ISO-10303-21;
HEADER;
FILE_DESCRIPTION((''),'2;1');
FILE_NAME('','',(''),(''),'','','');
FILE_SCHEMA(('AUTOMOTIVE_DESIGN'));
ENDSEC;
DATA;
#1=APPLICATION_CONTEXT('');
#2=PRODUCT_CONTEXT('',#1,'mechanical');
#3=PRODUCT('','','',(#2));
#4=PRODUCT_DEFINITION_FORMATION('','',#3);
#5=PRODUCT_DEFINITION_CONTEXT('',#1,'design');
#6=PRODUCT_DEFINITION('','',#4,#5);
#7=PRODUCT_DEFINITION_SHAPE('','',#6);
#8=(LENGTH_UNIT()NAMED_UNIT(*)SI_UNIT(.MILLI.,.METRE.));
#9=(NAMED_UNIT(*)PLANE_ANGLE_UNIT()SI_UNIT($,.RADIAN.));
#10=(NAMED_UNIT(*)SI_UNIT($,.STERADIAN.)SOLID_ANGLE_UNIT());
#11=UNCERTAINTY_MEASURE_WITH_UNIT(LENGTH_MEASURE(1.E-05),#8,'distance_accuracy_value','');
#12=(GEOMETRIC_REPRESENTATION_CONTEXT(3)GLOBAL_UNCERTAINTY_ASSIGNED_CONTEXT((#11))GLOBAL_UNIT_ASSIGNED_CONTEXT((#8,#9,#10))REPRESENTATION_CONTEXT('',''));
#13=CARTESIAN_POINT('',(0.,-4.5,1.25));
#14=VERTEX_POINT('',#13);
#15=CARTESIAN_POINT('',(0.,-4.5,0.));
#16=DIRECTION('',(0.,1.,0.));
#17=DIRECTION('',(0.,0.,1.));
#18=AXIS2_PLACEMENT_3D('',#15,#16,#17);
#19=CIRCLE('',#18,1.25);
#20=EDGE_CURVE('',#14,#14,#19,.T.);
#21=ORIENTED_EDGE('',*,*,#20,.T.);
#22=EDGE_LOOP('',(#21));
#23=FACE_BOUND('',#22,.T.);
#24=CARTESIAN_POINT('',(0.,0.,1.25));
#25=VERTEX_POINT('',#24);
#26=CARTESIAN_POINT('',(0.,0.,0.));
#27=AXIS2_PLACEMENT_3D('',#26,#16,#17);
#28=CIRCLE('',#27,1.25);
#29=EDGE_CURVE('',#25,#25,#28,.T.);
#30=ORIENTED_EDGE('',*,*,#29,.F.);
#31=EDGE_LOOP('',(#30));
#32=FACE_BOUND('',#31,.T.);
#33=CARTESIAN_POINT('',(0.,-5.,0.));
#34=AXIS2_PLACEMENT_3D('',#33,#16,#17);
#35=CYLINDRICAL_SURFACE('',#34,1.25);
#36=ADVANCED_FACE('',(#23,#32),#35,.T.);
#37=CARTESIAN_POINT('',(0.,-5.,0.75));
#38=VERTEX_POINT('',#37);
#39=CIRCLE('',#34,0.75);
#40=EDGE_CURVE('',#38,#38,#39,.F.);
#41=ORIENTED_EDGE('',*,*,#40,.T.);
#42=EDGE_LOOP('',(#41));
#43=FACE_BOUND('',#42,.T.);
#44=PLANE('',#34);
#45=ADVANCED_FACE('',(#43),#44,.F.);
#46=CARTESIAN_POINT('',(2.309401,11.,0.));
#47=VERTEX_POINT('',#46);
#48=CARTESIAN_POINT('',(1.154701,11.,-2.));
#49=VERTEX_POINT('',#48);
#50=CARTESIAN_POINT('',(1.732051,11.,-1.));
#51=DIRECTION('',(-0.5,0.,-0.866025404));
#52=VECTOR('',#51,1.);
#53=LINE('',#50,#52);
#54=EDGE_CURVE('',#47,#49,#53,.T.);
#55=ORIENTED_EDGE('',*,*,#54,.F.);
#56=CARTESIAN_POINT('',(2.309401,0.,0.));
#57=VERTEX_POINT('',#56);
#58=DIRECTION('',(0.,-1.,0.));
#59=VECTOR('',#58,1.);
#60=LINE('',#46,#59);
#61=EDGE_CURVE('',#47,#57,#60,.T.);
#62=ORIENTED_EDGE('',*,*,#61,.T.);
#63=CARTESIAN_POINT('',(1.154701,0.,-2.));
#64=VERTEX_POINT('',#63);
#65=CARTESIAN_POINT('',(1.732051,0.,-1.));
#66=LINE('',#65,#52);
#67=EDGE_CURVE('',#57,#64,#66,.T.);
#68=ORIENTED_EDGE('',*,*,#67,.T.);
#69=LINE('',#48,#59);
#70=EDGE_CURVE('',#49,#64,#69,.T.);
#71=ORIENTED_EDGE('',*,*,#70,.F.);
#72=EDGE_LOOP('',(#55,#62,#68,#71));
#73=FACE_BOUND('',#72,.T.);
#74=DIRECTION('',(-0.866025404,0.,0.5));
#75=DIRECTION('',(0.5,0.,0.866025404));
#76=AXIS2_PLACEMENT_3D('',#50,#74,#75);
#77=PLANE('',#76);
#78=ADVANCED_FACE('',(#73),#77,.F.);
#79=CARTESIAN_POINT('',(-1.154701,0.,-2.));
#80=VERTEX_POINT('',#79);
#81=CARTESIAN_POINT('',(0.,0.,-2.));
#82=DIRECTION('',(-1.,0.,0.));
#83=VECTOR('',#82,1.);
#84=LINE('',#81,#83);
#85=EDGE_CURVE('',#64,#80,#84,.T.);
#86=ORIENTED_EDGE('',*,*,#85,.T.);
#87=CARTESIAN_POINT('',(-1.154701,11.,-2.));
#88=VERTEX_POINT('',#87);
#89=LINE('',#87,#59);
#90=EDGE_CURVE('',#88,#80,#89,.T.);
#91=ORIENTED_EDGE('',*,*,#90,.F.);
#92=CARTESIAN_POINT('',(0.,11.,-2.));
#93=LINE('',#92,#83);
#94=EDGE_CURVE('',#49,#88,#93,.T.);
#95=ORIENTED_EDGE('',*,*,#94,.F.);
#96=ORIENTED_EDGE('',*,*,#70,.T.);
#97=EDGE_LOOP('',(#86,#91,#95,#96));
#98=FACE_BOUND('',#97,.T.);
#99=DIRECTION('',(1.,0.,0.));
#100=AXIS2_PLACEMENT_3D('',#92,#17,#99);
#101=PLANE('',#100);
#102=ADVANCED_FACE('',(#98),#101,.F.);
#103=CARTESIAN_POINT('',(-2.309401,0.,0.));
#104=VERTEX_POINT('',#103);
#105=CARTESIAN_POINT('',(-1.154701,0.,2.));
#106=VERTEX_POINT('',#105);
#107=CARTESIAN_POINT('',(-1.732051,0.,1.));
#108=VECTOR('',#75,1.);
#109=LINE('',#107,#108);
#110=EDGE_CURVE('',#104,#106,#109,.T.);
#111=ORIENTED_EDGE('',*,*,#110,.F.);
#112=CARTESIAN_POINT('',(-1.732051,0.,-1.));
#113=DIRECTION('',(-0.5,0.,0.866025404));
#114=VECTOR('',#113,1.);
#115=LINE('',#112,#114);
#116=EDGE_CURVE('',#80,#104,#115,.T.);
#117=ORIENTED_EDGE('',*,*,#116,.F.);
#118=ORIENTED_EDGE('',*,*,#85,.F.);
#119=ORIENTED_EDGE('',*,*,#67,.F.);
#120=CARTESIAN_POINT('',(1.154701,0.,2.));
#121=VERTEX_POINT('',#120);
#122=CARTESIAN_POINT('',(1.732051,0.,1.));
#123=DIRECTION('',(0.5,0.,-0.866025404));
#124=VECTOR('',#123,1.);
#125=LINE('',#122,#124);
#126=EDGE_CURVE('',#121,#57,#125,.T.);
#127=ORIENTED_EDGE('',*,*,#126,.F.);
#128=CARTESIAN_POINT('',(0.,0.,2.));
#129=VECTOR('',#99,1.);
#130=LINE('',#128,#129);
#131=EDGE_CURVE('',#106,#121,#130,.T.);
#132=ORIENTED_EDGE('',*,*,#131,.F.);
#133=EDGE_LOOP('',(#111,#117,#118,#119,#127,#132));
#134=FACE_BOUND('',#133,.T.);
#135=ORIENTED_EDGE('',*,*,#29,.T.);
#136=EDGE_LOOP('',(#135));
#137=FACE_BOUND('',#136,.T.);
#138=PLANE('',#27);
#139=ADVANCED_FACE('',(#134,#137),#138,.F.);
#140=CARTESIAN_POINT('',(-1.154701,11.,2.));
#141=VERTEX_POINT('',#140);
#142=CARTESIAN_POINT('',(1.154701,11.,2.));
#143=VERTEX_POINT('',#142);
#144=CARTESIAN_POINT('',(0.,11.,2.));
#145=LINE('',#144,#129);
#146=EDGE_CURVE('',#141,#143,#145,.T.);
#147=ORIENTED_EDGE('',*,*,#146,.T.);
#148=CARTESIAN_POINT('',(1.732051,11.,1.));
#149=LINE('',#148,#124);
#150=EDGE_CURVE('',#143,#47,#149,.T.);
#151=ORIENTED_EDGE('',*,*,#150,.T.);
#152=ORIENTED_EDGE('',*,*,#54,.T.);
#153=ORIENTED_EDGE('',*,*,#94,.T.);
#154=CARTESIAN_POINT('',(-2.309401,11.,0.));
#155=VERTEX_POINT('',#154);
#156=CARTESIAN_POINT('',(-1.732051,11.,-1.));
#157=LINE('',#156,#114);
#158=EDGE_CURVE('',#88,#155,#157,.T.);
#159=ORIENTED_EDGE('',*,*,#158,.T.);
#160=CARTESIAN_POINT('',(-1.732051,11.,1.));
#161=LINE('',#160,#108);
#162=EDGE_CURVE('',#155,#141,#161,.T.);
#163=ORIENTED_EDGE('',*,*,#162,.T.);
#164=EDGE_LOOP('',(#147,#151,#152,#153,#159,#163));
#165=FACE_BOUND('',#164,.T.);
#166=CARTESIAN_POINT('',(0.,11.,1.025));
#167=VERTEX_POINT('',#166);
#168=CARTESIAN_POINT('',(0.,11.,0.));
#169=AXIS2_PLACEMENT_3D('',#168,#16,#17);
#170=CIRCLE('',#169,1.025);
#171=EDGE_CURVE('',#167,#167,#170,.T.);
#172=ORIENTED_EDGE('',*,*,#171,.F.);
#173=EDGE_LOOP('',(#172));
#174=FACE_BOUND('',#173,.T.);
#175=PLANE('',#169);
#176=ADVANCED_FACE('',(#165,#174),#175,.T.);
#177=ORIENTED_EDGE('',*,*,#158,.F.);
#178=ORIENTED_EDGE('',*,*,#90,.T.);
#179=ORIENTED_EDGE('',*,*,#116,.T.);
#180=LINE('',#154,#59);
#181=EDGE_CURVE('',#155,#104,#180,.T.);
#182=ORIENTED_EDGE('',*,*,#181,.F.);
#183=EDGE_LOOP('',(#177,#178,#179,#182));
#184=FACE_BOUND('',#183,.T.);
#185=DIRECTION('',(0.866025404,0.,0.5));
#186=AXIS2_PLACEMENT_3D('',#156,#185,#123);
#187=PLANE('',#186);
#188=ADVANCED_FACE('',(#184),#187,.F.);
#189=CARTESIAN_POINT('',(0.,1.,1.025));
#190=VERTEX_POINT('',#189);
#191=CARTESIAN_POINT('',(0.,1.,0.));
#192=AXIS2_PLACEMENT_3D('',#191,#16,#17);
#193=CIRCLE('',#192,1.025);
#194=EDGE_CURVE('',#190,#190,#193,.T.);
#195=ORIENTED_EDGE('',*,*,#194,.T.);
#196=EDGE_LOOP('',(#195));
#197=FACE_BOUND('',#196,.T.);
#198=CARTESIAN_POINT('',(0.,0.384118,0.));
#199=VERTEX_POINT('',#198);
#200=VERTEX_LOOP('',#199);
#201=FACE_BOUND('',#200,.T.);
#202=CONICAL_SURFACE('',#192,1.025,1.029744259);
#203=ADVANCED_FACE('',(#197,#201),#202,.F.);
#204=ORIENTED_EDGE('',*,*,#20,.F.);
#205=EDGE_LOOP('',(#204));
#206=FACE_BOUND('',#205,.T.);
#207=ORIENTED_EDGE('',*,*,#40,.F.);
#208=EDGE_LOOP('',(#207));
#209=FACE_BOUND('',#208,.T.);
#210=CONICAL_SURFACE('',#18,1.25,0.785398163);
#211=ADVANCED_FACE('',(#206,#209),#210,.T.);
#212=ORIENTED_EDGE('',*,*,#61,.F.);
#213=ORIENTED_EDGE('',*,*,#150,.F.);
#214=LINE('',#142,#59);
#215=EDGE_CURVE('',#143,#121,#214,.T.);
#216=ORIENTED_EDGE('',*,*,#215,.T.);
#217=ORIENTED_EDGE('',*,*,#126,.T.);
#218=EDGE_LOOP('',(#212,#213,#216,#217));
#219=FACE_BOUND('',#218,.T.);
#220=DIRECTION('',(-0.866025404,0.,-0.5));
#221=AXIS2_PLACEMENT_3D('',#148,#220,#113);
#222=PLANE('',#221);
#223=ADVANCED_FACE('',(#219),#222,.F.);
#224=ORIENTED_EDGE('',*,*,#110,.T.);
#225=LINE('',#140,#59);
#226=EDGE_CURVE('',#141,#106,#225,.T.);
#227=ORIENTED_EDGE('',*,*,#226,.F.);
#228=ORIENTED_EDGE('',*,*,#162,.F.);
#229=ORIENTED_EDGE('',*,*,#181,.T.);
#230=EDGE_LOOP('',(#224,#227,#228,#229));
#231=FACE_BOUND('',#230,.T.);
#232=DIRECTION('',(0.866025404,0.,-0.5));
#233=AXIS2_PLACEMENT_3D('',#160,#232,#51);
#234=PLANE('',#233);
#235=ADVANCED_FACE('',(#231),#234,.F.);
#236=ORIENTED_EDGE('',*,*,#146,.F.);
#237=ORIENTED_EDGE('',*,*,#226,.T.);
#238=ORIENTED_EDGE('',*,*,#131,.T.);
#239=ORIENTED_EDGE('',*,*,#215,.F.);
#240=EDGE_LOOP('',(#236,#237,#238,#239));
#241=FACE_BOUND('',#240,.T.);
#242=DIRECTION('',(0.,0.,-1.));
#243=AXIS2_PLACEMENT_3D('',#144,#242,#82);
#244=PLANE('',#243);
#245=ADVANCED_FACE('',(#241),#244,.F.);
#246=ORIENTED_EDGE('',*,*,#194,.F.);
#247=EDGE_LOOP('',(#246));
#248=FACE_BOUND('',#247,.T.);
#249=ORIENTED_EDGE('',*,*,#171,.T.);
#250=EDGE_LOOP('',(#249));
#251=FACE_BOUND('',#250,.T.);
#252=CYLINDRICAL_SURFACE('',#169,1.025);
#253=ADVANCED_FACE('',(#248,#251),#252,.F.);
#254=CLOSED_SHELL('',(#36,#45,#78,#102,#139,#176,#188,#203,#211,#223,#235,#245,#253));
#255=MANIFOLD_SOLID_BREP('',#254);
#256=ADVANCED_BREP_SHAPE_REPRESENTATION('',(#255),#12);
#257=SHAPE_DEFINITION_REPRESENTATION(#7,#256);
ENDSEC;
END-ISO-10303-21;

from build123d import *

# Parameters (mm, degrees)
BOSS_EXTRUDE1_DEPTH     = 11
SKETCH1_3_R             = 1.25
BOSS_EXTRUDE2_DEPTH     = 5
CHAMFER1_SIZE           = 0.5
M2_5_TAPPED_HOLE1_D     = 2.05
M2_5_TAPPED_HOLE1_DEPTH = 10
M2_5_TAPPED_HOLE1_TIP   = 0.615882135


with BuildPart() as part:
    # Sketch1 → Boss-Extrude1 (new body)
    with BuildSketch(Plane(origin=(0, 0, 0), x_dir=(1, 0, 0), z_dir=(0, 1, 0))):
        Polygon((-1.154700538, -2), (1.154700538, -2), (2.309401077, 0), (1.154700538, 2), (-1.154700538, 2), (-2.309401077, 0), align=None)
    extrude(amount=BOSS_EXTRUDE1_DEPTH)

    # Sketch1<3> → Boss-Extrude2 (add)
    with BuildSketch(Plane(origin=(0, 0, 0), x_dir=(1, 0, 0), z_dir=(0, 1, 0))):
        Circle(SKETCH1_3_R)
    extrude(amount=-BOSS_EXTRUDE2_DEPTH)

    # Chamfer1
    chamfer1_edges = [part.edges().sort_by_distance(p)[0] for p in [
        (-1.25, -5, 0),
    ]]
    chamfer(chamfer1_edges, length=CHAMFER1_SIZE)

    # M2.5 Tapped Hole1
    with Locations(Plane(origin=(0, 11, 0), x_dir=(1, 0, 0), z_dir=(0, 1, 0))):
        with Locations((0, 0)):
            Hole(M2_5_TAPPED_HOLE1_D / 2, depth=M2_5_TAPPED_HOLE1_DEPTH)
            with Locations((0, 0, -(M2_5_TAPPED_HOLE1_DEPTH + M2_5_TAPPED_HOLE1_TIP / 2))):  # 118° drill point
                Cone(0, M2_5_TAPPED_HOLE1_D / 2, M2_5_TAPPED_HOLE1_TIP, mode=Mode.SUBTRACT)


solid = part.part
